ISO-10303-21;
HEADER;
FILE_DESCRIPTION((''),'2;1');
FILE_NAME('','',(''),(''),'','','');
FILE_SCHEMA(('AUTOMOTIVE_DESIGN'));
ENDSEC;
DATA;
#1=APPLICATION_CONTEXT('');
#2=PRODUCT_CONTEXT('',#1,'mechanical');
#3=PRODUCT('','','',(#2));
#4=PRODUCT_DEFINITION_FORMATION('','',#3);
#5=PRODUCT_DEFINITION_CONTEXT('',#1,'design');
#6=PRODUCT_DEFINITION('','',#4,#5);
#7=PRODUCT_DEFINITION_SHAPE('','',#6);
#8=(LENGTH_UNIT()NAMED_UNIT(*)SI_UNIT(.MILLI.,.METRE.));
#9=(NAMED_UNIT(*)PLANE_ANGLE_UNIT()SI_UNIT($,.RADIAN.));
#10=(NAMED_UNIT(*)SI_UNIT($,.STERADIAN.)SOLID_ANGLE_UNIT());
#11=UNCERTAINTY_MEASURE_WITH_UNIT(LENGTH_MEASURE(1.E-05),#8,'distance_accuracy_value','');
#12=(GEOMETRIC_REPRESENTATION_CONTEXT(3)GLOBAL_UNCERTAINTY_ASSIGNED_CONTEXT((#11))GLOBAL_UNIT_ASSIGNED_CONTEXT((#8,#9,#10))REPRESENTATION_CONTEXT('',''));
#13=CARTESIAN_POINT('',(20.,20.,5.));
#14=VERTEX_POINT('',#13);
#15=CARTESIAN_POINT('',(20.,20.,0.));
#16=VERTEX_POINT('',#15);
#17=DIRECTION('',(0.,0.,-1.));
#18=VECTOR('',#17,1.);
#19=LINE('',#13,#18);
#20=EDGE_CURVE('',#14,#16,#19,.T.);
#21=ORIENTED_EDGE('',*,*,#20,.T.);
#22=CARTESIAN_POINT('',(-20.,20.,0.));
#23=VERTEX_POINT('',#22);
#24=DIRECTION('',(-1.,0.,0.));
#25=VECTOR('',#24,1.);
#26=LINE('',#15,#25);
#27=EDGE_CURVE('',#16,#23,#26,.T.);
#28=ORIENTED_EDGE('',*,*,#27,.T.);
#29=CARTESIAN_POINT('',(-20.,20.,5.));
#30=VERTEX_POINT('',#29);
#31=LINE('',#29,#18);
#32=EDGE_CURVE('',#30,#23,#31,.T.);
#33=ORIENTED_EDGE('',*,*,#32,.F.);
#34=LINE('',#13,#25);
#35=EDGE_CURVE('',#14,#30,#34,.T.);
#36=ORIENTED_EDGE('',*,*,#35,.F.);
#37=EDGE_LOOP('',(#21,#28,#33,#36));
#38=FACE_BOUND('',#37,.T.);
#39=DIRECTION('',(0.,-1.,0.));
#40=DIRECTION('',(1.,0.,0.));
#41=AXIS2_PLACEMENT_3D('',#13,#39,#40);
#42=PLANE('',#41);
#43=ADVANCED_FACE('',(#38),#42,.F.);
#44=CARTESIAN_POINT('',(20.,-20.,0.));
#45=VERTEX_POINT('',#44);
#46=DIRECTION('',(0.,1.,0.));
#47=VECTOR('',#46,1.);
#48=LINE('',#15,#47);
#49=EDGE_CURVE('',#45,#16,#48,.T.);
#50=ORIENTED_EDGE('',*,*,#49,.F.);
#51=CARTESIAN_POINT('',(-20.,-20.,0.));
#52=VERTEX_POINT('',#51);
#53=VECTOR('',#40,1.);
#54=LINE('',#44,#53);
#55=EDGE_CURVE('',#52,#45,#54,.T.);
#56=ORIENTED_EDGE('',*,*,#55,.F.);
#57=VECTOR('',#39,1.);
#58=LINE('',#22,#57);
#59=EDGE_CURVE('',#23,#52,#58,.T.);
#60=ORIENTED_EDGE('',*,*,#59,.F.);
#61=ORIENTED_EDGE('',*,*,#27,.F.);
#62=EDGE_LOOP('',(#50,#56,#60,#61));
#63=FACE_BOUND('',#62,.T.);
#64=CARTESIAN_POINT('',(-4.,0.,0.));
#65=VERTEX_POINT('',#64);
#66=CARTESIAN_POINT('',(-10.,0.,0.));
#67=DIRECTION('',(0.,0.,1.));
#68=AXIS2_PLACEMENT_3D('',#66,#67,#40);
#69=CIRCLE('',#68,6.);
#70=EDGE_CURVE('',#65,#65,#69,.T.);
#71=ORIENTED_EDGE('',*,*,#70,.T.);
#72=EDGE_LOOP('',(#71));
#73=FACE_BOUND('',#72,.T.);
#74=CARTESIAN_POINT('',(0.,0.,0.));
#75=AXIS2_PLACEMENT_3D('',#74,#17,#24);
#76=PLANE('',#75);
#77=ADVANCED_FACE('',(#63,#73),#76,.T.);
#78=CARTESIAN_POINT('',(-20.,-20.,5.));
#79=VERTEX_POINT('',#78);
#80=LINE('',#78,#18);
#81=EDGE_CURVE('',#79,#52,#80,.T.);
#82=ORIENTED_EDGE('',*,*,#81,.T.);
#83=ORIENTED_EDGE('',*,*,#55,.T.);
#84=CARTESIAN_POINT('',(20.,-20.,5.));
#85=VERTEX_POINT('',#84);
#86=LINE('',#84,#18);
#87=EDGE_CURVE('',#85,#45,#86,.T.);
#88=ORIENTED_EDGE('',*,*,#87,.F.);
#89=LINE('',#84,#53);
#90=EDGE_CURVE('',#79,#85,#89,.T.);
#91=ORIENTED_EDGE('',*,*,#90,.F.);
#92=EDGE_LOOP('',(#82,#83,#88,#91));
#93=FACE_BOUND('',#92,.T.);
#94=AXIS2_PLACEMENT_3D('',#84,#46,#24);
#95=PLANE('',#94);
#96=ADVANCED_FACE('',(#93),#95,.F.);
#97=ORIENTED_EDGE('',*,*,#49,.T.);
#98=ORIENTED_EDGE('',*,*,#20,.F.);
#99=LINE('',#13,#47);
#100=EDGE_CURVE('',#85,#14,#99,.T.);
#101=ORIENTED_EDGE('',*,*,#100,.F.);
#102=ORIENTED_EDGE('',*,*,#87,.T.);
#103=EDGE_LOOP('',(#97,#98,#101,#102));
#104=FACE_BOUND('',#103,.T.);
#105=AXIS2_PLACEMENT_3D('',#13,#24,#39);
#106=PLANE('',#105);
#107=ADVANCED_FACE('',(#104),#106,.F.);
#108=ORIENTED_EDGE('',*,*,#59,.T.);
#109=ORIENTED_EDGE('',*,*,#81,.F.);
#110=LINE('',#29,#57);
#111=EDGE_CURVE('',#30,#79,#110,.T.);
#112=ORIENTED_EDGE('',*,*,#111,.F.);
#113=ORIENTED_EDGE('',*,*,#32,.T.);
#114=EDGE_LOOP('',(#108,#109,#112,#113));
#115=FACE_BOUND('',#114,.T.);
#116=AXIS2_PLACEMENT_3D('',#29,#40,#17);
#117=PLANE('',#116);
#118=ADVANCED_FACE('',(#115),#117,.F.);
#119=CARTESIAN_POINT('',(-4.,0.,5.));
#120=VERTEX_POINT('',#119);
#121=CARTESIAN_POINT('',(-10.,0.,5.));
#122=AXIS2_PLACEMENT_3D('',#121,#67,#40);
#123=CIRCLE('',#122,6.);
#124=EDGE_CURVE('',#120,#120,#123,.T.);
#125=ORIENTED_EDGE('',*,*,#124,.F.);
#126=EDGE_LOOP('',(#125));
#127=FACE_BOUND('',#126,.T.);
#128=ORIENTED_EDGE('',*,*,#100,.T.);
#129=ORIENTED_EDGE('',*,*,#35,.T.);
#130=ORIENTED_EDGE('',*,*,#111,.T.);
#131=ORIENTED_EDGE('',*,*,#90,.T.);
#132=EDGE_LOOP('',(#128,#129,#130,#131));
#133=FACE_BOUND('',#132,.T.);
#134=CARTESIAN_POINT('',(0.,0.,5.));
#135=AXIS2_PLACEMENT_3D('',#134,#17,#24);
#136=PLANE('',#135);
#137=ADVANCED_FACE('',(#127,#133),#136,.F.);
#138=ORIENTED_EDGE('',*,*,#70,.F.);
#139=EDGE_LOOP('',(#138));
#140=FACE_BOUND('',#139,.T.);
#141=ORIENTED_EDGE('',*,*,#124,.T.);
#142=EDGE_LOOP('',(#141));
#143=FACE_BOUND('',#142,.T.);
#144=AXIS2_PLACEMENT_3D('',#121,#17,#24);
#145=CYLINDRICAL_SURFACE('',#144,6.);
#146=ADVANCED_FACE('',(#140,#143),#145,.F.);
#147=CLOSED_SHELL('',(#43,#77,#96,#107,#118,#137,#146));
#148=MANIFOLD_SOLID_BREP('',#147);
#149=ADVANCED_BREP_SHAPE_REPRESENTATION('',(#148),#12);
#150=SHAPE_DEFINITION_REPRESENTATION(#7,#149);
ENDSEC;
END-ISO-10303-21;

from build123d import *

# Parameters (mm, degrees)
SKETCH1_W           = 40
SKETCH1_H           = 40
SKETCH1_R           = 6
BOSS_EXTRUDE1_DEPTH = 5


with BuildPart() as part:
    # Sketch1 → Boss-Extrude1 (new body)
    with BuildSketch(Plane.XY):
        Rectangle(SKETCH1_W, SKETCH1_H)
        with Locations((-10, 0)):
            Circle(SKETCH1_R, mode=Mode.SUBTRACT)
    extrude(amount=BOSS_EXTRUDE1_DEPTH)


solid = part.part
